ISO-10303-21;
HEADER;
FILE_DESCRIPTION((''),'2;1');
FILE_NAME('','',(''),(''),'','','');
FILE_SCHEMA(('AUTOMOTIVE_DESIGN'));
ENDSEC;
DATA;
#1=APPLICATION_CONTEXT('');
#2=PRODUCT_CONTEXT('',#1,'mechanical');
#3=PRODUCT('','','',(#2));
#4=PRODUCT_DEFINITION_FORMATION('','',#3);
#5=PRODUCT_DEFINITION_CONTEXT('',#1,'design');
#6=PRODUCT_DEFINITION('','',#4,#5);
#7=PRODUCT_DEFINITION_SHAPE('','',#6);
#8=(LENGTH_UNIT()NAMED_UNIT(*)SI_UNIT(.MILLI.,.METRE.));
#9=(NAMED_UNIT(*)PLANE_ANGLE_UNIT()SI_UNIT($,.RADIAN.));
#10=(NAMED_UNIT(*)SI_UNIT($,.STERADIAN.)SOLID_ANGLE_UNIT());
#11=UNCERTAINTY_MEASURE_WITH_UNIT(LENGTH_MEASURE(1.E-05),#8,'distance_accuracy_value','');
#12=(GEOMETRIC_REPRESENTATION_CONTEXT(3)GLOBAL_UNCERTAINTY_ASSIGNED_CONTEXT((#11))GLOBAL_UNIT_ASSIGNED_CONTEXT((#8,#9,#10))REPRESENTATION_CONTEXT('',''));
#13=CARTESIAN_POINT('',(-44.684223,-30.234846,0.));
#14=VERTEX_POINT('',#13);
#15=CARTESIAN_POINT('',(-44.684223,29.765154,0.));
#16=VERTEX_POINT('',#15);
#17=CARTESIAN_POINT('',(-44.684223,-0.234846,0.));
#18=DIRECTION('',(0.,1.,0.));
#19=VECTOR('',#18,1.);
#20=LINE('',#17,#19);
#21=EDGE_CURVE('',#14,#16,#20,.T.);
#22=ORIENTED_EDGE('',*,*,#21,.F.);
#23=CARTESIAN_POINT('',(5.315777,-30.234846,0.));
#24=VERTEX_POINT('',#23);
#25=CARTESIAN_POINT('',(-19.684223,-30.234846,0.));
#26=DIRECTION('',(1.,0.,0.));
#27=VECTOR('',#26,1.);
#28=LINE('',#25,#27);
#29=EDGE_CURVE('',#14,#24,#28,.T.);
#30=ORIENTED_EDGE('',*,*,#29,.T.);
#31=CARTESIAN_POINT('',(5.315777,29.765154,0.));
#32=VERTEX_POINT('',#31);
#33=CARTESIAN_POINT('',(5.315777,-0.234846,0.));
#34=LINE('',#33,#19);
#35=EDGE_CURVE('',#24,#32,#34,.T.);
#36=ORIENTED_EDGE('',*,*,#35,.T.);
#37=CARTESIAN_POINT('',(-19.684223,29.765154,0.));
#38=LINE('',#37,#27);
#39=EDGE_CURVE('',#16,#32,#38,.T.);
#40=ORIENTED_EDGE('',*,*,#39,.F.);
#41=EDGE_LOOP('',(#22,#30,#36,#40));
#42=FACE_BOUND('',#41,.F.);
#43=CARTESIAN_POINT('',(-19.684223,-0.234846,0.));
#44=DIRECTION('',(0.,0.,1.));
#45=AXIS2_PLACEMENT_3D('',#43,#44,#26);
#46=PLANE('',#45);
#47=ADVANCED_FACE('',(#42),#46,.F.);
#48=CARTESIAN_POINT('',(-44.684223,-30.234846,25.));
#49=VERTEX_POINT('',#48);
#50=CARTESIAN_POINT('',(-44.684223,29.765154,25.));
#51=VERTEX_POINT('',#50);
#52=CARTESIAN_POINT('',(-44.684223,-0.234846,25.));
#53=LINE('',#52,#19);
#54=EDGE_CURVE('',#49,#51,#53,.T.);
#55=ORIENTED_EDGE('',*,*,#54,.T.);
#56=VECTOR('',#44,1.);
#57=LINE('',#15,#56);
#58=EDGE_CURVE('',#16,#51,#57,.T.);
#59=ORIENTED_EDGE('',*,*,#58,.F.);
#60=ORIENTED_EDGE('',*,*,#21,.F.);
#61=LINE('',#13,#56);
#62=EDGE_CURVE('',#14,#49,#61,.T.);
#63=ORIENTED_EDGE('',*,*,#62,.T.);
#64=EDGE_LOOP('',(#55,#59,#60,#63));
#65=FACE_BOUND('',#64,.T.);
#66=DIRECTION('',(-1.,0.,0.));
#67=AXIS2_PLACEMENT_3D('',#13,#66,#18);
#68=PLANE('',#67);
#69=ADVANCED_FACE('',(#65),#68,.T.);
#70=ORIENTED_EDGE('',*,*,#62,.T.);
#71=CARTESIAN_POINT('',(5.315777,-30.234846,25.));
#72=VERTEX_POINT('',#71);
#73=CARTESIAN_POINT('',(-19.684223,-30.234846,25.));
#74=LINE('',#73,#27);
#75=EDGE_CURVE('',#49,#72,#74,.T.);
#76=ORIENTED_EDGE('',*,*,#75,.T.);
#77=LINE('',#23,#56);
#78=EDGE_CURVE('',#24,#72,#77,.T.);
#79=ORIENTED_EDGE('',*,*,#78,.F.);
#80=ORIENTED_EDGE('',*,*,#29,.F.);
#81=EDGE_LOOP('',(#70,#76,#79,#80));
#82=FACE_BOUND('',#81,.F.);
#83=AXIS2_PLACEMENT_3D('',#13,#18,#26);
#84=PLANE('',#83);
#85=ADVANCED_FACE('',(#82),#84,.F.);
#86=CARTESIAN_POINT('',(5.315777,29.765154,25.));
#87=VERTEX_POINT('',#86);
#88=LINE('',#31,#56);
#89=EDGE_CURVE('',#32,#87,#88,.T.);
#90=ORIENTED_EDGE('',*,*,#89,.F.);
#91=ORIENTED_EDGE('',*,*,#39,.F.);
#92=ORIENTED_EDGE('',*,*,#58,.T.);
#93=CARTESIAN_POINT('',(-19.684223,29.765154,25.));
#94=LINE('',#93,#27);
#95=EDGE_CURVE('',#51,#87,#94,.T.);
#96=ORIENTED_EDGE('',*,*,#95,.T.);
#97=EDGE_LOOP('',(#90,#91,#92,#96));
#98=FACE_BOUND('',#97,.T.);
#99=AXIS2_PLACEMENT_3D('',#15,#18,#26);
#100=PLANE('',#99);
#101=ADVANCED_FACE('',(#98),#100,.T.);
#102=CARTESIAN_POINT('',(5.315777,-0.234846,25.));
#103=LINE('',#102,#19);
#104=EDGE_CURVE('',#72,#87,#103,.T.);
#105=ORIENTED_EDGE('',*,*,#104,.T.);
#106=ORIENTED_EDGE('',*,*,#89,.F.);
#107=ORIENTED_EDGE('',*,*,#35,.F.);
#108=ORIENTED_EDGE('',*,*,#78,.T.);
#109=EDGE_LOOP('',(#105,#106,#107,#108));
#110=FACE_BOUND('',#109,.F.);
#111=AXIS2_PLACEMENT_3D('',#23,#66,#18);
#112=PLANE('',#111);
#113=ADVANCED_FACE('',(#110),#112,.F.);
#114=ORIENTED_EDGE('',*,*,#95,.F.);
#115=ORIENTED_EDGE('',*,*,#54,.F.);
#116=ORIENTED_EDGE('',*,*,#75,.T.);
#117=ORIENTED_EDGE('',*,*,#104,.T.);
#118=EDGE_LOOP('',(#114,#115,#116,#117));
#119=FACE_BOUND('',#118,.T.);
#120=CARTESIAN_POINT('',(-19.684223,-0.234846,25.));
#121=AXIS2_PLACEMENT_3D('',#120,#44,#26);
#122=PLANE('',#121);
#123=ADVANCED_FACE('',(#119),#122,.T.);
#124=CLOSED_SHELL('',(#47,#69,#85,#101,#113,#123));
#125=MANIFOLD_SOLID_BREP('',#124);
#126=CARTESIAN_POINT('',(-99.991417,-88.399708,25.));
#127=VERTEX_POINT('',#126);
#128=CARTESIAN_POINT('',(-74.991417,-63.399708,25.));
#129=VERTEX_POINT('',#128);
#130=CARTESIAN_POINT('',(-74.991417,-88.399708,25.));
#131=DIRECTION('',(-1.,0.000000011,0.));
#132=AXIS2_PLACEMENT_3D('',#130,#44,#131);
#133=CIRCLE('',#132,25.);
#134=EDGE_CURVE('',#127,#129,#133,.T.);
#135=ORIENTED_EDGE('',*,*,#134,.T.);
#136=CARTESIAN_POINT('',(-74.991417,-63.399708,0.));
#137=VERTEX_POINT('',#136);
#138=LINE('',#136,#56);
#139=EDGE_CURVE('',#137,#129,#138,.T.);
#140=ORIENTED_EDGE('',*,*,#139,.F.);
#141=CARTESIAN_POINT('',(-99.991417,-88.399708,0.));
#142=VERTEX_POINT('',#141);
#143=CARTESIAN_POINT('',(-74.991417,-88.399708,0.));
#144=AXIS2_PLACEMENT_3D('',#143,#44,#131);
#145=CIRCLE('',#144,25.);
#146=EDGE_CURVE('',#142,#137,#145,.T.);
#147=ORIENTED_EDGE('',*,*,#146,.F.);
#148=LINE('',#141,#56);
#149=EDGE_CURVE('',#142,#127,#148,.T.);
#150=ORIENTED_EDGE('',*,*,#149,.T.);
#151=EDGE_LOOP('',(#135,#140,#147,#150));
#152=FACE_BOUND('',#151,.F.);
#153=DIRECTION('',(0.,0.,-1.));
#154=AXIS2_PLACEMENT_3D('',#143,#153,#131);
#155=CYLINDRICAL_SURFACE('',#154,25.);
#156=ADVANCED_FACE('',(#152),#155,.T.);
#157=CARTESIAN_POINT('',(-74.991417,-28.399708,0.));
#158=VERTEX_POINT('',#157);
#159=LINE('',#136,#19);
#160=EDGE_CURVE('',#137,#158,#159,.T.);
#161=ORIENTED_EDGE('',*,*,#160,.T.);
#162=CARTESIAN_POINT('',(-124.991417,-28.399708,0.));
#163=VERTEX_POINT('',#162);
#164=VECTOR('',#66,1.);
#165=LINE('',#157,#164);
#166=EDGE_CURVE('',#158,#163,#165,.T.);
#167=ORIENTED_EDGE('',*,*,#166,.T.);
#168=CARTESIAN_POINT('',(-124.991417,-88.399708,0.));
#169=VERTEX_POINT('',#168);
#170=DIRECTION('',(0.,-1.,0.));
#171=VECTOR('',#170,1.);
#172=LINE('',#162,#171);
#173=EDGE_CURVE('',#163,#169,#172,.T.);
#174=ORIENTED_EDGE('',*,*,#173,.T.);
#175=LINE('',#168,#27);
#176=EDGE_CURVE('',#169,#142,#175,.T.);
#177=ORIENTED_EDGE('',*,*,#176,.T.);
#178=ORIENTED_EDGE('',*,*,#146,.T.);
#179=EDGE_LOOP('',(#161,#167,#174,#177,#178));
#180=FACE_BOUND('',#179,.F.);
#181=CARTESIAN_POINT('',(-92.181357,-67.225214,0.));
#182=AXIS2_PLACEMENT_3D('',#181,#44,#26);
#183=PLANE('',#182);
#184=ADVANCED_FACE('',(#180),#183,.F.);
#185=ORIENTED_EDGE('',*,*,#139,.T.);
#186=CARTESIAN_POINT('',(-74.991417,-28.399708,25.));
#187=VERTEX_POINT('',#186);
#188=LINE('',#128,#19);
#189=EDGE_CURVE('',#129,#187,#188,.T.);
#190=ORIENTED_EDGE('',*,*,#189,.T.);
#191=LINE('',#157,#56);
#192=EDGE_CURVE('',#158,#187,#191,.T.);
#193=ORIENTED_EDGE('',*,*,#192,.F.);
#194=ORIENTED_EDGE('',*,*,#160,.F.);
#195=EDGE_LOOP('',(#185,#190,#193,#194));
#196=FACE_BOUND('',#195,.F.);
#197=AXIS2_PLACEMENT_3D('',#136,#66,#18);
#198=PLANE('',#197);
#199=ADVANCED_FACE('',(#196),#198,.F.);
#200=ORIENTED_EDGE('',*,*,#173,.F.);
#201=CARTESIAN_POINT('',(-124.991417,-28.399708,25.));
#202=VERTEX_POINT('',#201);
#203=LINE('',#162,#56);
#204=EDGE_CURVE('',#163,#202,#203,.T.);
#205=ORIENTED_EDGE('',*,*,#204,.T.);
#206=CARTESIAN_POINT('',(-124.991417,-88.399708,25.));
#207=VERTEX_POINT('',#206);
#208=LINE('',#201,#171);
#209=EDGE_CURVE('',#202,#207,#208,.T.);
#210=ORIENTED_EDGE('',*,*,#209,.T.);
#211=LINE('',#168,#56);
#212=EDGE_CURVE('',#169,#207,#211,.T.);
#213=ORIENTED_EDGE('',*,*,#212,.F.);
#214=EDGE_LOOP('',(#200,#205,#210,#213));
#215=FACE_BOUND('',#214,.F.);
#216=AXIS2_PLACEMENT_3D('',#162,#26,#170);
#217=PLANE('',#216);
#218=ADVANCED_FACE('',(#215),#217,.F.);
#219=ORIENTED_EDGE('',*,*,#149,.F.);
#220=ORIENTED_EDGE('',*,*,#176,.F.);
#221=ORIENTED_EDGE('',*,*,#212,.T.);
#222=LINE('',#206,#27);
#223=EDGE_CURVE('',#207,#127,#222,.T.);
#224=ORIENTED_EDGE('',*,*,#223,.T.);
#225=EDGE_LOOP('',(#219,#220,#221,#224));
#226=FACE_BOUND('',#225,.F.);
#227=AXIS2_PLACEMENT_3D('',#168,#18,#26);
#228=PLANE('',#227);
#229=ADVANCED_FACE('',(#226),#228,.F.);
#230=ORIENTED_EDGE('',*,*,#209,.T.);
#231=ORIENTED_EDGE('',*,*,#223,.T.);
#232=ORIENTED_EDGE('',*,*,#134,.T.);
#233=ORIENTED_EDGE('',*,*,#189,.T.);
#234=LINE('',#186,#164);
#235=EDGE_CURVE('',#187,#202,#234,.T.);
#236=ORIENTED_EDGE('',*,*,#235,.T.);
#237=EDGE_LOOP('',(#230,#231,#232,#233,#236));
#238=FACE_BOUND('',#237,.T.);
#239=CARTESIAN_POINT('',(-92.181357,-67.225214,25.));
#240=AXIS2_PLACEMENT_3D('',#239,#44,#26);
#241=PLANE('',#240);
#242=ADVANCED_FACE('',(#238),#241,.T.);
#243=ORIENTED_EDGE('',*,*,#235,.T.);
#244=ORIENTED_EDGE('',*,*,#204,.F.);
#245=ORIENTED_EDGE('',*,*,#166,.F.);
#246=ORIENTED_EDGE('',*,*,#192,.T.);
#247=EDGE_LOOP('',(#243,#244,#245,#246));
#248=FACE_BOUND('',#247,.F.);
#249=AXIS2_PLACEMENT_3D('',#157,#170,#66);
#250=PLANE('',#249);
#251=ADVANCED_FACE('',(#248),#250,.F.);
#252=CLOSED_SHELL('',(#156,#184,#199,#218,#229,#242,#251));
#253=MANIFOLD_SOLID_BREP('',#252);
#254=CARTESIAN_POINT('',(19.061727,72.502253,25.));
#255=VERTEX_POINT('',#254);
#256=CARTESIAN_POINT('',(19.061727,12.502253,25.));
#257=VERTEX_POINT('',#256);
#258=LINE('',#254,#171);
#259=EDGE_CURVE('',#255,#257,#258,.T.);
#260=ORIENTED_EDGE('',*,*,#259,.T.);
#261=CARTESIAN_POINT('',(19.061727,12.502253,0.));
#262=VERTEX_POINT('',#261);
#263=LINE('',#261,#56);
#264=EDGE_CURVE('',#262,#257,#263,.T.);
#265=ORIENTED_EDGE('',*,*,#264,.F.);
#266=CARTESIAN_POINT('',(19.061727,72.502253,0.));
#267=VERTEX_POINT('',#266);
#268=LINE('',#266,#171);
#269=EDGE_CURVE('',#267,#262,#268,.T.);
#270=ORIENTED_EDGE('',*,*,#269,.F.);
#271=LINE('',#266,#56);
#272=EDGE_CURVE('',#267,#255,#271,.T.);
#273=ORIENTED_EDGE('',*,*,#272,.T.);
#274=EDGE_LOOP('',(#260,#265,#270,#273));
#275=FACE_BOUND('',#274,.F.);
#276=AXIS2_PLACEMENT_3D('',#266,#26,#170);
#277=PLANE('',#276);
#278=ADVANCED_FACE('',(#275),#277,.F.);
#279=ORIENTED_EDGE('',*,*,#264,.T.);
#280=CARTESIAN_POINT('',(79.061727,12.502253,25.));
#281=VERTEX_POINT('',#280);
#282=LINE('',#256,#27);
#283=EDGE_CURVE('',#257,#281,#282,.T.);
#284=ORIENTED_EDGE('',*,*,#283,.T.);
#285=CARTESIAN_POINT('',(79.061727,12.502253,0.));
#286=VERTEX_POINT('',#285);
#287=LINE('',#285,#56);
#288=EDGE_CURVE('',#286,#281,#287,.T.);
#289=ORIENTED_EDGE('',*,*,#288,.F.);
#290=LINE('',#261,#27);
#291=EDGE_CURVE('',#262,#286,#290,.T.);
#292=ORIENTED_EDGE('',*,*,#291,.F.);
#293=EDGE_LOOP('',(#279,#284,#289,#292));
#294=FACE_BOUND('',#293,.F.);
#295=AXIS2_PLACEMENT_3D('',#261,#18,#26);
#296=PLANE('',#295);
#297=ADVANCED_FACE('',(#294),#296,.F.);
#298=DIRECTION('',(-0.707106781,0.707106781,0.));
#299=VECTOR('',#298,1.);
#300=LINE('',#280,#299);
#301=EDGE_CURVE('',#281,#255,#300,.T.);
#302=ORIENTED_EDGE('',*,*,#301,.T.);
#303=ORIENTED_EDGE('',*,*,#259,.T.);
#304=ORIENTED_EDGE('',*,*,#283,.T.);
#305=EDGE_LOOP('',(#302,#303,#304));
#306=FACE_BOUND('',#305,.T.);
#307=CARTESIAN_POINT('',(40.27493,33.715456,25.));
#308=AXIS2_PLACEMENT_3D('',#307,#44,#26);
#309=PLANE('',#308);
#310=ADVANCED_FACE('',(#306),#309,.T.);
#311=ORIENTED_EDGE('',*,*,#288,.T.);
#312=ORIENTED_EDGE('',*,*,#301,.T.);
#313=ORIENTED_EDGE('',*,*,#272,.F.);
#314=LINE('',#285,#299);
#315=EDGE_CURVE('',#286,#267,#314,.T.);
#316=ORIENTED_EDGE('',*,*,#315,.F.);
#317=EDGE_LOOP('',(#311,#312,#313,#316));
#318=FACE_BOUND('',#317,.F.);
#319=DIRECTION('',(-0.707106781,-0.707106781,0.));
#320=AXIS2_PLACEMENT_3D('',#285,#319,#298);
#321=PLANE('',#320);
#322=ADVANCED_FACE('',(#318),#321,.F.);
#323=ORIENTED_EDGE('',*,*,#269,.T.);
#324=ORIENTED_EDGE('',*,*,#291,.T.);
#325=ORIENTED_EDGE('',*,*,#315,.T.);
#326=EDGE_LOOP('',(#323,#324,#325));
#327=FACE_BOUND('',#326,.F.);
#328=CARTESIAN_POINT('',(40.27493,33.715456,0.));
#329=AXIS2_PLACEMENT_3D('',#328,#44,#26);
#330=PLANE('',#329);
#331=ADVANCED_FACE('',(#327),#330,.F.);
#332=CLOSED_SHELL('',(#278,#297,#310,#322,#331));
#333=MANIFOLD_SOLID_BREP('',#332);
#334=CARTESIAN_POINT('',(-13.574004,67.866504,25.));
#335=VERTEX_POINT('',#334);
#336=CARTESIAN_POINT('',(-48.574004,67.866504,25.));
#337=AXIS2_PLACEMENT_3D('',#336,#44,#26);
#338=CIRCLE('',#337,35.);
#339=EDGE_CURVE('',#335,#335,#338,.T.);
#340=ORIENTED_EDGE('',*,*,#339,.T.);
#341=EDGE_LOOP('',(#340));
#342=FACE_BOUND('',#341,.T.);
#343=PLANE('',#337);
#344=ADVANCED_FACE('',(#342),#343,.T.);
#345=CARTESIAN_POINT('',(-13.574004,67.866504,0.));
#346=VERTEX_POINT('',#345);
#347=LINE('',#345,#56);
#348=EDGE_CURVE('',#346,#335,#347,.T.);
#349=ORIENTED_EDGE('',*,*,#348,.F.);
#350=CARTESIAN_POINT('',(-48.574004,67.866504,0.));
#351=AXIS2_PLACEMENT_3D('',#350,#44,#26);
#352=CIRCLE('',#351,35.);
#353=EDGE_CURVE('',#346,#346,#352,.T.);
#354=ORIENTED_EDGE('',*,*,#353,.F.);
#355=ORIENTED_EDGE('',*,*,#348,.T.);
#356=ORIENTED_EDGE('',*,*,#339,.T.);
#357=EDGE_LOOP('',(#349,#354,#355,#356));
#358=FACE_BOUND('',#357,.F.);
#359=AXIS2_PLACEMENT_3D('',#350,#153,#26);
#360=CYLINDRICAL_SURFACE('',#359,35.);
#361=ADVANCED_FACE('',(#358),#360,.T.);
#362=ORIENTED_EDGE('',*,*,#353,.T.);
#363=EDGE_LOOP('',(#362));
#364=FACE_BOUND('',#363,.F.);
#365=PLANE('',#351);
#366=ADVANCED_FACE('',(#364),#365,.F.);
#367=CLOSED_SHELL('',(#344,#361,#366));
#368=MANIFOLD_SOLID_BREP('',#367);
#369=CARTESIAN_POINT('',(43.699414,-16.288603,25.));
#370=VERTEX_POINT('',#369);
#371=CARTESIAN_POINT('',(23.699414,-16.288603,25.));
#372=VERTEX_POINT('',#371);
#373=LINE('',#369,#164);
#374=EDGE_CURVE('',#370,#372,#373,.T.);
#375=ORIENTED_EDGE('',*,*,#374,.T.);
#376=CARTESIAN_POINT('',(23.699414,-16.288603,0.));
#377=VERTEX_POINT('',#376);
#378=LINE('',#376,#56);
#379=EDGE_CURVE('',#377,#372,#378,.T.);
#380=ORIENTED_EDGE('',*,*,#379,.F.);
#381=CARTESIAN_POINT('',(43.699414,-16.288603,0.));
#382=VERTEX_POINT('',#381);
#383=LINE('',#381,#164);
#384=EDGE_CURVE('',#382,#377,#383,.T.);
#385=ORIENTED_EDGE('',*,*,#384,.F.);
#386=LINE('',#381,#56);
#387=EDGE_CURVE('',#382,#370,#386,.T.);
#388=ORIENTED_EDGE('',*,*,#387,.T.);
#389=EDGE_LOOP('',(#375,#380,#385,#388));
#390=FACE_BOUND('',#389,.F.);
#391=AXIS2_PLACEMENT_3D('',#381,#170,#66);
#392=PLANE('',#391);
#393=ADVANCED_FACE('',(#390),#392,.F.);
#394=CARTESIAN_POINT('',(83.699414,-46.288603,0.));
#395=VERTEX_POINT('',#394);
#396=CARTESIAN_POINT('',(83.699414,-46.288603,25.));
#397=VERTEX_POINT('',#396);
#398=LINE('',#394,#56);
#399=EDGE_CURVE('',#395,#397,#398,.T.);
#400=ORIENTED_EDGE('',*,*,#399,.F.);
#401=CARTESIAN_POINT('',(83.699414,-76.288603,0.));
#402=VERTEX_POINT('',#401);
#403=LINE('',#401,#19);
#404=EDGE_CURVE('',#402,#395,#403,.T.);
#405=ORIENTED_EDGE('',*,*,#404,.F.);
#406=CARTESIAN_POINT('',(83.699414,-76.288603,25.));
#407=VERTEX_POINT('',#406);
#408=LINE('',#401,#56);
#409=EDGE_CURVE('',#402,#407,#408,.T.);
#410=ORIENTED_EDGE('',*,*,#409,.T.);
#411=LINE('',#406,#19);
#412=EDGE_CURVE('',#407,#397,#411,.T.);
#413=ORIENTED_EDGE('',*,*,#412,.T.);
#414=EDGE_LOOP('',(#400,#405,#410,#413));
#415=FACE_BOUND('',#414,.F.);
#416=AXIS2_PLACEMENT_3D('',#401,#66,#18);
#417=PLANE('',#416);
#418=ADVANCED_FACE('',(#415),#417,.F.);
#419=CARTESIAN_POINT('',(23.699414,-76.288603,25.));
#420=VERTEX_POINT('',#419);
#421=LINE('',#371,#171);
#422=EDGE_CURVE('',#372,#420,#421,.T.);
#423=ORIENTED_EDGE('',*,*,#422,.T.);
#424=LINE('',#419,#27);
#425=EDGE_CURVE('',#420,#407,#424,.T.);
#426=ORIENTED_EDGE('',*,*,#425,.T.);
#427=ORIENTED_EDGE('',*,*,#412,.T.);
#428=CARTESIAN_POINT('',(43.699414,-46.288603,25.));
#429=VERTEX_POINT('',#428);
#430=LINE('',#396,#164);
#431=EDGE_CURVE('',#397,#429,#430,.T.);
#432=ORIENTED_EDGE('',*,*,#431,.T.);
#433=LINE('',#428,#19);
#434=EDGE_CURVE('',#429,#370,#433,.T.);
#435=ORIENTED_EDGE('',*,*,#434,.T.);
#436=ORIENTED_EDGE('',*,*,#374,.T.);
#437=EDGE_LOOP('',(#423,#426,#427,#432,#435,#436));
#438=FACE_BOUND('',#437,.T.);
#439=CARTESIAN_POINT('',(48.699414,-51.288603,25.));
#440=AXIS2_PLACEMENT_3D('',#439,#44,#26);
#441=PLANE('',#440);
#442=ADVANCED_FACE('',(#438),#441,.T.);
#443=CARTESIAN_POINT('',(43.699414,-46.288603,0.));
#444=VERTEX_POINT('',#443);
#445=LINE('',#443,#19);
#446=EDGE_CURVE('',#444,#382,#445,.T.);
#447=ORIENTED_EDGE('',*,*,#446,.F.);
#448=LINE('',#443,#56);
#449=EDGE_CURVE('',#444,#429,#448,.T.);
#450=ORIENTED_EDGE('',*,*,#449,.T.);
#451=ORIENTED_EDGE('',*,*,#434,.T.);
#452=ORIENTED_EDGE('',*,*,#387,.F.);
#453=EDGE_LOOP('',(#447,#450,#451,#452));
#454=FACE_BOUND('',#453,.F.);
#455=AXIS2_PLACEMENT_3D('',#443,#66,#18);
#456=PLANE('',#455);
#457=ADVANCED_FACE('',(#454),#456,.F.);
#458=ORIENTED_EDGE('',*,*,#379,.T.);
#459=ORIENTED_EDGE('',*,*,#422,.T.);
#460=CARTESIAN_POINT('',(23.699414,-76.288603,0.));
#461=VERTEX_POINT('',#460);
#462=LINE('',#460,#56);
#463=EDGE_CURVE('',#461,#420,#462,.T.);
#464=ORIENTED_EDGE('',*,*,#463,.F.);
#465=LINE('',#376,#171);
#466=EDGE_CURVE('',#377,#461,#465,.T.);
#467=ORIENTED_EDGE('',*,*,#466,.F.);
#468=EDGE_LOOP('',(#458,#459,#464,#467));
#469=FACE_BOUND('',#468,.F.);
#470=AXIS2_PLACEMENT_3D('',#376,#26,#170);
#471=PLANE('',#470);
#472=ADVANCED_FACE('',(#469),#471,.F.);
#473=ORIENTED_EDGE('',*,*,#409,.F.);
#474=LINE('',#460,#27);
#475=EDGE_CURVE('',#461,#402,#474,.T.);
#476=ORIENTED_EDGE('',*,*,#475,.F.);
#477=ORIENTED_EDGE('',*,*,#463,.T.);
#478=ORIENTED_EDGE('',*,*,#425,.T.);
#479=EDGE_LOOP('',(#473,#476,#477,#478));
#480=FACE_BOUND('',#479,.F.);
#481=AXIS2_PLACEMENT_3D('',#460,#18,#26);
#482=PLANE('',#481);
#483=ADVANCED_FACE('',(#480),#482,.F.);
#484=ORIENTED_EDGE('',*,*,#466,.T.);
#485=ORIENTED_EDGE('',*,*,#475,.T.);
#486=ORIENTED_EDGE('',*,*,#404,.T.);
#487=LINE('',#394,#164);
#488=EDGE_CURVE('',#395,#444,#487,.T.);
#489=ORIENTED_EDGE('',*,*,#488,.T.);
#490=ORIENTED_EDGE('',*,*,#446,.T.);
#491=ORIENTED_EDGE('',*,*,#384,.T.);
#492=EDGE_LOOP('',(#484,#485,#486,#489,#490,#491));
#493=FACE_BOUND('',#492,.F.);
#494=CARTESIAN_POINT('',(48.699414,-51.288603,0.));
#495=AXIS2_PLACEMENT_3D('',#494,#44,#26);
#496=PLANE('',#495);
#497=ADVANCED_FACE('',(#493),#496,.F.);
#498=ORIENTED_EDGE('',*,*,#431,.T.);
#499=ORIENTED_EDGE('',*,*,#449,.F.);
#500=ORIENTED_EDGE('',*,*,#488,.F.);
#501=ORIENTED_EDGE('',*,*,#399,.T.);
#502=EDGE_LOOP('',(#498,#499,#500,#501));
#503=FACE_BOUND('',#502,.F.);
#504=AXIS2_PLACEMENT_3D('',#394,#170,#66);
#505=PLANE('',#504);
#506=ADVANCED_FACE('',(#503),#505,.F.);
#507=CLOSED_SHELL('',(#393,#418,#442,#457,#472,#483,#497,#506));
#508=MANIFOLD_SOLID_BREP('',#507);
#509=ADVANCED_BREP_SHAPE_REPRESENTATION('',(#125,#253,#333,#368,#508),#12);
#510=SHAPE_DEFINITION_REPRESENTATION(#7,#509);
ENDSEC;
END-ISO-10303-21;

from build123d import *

# Parameters (mm, degrees)
F1_R     = 35
F2_DEPTH = 25
F0_W     = 50
F0_H     = 60
F3_DEPTH = 25
F4_DEPTH = 25


with BuildPart() as f2:
    # F1 (on Top) → F2 (new body)
    with BuildSketch(Plane.XY):
        with Locations((-48.574004, 67.866504)):
            Circle(F1_R)
    extrude(amount=F2_DEPTH)

    # F1 (on Top) → F4 (join)
    with BuildSketch(Plane.XY):
        Polygon((79.061727, 12.502253), (19.061727, 72.502253), (19.061727, 12.502253), align=None)
        with Locations((-48.574004, 67.866504)):
            Circle(F1_R)
        Polygon((83.699414, -46.288603), (43.699414, -46.288603), (43.699414, -16.288603), (23.699414, -16.288603), (23.699414, -46.288603), (23.699414, -76.288603), (43.699414, -76.288603), (83.699414, -76.288603), align=None)
        with BuildLine():
            Line((-74.991417, -28.399708), (-124.991417, -28.399708))
            Line((-124.991417, -28.399708), (-124.991417, -88.399708))
            Line((-124.991417, -88.399708), (-99.991417, -88.399708))
            ThreePointArc((-99.991417, -88.399708), (-57.313747, -106.077378), (-74.991417, -63.399708))
            Line((-74.991417, -63.399708), (-74.991417, -28.399708))
        make_face()
    extrude(amount=F4_DEPTH)


with BuildPart() as f3:
    # F0 (on Top) → F3 (new body)
    with BuildSketch(Plane.XY):
        with Locations((-19.684223, -0.234846)):
            Rectangle(F0_W, F0_H)
    extrude(amount=F3_DEPTH)


solid = Compound([f2.part, f3.part])
